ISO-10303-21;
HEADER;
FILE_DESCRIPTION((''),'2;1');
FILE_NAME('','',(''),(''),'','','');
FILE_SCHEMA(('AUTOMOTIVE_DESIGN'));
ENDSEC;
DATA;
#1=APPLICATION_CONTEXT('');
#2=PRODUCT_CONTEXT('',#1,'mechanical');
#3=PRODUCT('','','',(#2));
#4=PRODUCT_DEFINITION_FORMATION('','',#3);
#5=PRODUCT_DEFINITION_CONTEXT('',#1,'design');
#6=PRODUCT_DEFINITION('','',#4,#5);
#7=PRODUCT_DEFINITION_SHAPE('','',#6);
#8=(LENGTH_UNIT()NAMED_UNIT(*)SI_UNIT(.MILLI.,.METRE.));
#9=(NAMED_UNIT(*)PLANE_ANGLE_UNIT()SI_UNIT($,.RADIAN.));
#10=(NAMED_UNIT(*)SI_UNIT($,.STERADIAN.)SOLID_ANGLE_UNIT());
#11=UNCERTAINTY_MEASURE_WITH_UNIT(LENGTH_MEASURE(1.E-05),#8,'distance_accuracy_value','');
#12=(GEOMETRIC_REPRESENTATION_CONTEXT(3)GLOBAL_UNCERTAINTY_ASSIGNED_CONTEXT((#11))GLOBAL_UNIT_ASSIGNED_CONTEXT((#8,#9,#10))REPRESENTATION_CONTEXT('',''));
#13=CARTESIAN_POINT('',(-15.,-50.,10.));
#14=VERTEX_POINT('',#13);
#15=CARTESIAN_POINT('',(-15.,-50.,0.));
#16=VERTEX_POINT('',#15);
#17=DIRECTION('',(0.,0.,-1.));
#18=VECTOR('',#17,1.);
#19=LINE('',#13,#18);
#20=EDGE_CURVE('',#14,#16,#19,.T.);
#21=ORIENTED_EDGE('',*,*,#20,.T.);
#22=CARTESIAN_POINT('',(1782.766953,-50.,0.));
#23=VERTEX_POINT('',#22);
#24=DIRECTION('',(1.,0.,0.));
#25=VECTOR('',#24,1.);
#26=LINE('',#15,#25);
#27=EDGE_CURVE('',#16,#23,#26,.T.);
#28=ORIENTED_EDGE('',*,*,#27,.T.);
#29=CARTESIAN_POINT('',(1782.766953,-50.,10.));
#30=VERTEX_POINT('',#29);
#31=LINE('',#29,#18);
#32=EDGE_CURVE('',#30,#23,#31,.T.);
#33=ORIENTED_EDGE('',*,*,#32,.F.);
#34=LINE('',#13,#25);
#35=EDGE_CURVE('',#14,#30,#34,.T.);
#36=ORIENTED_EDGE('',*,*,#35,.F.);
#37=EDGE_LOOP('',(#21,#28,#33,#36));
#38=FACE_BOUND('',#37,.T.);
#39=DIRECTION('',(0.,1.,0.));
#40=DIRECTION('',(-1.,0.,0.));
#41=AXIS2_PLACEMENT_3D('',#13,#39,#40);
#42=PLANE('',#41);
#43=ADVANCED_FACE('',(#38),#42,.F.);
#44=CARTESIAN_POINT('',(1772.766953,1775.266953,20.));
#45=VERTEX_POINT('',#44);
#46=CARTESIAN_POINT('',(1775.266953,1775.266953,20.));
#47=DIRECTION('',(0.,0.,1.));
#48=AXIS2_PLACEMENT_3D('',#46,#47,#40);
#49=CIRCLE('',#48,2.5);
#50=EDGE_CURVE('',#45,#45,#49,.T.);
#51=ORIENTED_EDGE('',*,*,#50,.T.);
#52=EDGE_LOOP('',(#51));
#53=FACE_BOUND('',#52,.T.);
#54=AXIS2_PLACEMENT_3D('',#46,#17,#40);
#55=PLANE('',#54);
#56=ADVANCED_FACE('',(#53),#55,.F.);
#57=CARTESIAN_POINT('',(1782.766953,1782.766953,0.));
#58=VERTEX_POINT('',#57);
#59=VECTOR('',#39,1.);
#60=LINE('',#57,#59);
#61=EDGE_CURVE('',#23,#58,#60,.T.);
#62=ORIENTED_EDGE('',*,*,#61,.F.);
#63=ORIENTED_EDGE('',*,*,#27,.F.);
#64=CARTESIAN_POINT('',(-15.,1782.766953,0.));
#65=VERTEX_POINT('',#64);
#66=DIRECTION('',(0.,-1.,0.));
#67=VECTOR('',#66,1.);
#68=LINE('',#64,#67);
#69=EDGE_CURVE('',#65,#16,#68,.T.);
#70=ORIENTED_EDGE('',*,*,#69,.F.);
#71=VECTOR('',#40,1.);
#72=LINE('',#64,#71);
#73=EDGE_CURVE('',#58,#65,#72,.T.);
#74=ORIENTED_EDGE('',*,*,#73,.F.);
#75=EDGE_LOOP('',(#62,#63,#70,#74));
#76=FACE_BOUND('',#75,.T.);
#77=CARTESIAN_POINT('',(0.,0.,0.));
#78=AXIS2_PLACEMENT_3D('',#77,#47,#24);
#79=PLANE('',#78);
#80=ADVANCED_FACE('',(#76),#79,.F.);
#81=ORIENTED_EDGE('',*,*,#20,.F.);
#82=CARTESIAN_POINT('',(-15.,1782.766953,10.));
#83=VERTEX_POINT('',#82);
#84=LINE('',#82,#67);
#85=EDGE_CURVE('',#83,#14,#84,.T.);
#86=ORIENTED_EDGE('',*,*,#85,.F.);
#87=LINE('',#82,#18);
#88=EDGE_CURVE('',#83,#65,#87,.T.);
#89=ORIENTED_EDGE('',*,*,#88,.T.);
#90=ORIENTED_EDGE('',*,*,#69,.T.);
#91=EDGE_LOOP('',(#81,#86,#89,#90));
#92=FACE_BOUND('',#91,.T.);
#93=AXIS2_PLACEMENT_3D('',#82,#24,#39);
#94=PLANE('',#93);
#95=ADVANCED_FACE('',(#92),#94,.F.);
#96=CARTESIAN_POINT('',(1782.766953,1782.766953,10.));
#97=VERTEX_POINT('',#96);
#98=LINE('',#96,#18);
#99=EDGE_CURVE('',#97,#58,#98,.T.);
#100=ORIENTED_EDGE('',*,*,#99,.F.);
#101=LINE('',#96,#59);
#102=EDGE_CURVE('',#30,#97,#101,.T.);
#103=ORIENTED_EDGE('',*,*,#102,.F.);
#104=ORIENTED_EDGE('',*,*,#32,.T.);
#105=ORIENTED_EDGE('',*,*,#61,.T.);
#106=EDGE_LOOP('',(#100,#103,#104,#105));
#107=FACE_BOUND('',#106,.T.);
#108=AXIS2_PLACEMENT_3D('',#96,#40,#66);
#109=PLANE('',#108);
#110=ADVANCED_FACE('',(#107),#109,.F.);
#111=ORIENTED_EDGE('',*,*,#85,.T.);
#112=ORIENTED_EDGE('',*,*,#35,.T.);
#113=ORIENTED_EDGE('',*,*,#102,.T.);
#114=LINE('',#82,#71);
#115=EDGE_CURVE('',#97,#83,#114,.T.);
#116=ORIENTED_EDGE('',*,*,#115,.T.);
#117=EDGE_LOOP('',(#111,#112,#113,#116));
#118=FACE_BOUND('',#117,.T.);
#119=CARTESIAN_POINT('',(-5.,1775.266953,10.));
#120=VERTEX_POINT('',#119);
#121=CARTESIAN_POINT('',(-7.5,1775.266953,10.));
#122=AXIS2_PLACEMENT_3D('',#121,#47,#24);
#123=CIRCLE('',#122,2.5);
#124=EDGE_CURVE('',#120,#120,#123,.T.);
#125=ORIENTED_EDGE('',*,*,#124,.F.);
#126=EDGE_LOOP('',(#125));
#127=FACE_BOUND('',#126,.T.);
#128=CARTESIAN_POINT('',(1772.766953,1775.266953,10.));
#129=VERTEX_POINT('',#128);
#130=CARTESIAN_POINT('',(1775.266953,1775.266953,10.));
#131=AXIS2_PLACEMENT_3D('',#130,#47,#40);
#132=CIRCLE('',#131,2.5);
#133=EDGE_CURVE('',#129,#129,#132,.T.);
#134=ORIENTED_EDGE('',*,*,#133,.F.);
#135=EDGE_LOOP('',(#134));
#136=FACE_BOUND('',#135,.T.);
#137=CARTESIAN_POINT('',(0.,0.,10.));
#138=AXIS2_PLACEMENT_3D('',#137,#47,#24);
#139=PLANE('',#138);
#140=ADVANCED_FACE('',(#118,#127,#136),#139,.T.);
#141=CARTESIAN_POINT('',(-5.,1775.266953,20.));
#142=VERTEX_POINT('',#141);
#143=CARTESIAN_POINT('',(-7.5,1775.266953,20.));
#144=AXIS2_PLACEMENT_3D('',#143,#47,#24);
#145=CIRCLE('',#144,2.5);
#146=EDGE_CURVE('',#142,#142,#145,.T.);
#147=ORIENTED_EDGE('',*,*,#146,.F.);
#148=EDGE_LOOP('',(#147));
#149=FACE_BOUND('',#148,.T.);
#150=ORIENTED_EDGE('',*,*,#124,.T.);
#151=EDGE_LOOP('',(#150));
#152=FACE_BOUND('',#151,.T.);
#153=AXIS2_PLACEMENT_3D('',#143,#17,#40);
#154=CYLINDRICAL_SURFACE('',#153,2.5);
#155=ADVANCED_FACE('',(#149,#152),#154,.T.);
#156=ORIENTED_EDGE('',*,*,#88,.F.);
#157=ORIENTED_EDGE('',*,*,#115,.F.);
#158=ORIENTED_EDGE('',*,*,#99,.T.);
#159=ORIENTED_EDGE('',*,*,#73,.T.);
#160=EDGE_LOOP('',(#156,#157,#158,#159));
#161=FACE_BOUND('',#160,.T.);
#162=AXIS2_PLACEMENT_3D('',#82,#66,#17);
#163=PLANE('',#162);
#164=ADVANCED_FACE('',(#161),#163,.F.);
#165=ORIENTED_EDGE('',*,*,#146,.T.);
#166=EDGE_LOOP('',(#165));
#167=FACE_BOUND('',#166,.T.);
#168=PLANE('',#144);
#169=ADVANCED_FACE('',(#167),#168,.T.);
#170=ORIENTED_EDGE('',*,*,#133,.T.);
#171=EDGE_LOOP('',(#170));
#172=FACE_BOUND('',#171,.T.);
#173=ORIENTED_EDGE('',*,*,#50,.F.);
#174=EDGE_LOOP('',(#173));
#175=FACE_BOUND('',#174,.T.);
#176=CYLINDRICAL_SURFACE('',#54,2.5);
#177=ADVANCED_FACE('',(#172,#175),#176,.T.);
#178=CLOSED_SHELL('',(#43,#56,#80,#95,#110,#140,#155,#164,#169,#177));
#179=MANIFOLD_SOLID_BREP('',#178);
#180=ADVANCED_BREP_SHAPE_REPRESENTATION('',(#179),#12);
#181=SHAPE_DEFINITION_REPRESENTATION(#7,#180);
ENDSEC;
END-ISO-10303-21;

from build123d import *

# Parameters (mm, degrees)
SKETCH1_W           = 1797.766953
SKETCH1_H           = 1832.766953
BOSS_EXTRUDE1_DEPTH = 10
SKETCH2_R           = 2.5
BOSS_EXTRUDE2_DEPTH = 10


with BuildPart() as part:
    # Sketch1 → Boss-Extrude1 (new body)
    with BuildSketch(Plane.XY):
        with Locations((883.8834765, 866.3834765)):
            Rectangle(SKETCH1_W, SKETCH1_H)
    extrude(amount=BOSS_EXTRUDE1_DEPTH)

    # Sketch2 → Boss-Extrude2 (add)
    with BuildSketch(Plane.XY.offset(10)):
        with Locations((-7.5, 1775.266953)):
            Circle(SKETCH2_R)
        with Locations((1775.266953, 1775.266953)):
            Circle(SKETCH2_R)
    extrude(amount=BOSS_EXTRUDE2_DEPTH)


solid = part.part
